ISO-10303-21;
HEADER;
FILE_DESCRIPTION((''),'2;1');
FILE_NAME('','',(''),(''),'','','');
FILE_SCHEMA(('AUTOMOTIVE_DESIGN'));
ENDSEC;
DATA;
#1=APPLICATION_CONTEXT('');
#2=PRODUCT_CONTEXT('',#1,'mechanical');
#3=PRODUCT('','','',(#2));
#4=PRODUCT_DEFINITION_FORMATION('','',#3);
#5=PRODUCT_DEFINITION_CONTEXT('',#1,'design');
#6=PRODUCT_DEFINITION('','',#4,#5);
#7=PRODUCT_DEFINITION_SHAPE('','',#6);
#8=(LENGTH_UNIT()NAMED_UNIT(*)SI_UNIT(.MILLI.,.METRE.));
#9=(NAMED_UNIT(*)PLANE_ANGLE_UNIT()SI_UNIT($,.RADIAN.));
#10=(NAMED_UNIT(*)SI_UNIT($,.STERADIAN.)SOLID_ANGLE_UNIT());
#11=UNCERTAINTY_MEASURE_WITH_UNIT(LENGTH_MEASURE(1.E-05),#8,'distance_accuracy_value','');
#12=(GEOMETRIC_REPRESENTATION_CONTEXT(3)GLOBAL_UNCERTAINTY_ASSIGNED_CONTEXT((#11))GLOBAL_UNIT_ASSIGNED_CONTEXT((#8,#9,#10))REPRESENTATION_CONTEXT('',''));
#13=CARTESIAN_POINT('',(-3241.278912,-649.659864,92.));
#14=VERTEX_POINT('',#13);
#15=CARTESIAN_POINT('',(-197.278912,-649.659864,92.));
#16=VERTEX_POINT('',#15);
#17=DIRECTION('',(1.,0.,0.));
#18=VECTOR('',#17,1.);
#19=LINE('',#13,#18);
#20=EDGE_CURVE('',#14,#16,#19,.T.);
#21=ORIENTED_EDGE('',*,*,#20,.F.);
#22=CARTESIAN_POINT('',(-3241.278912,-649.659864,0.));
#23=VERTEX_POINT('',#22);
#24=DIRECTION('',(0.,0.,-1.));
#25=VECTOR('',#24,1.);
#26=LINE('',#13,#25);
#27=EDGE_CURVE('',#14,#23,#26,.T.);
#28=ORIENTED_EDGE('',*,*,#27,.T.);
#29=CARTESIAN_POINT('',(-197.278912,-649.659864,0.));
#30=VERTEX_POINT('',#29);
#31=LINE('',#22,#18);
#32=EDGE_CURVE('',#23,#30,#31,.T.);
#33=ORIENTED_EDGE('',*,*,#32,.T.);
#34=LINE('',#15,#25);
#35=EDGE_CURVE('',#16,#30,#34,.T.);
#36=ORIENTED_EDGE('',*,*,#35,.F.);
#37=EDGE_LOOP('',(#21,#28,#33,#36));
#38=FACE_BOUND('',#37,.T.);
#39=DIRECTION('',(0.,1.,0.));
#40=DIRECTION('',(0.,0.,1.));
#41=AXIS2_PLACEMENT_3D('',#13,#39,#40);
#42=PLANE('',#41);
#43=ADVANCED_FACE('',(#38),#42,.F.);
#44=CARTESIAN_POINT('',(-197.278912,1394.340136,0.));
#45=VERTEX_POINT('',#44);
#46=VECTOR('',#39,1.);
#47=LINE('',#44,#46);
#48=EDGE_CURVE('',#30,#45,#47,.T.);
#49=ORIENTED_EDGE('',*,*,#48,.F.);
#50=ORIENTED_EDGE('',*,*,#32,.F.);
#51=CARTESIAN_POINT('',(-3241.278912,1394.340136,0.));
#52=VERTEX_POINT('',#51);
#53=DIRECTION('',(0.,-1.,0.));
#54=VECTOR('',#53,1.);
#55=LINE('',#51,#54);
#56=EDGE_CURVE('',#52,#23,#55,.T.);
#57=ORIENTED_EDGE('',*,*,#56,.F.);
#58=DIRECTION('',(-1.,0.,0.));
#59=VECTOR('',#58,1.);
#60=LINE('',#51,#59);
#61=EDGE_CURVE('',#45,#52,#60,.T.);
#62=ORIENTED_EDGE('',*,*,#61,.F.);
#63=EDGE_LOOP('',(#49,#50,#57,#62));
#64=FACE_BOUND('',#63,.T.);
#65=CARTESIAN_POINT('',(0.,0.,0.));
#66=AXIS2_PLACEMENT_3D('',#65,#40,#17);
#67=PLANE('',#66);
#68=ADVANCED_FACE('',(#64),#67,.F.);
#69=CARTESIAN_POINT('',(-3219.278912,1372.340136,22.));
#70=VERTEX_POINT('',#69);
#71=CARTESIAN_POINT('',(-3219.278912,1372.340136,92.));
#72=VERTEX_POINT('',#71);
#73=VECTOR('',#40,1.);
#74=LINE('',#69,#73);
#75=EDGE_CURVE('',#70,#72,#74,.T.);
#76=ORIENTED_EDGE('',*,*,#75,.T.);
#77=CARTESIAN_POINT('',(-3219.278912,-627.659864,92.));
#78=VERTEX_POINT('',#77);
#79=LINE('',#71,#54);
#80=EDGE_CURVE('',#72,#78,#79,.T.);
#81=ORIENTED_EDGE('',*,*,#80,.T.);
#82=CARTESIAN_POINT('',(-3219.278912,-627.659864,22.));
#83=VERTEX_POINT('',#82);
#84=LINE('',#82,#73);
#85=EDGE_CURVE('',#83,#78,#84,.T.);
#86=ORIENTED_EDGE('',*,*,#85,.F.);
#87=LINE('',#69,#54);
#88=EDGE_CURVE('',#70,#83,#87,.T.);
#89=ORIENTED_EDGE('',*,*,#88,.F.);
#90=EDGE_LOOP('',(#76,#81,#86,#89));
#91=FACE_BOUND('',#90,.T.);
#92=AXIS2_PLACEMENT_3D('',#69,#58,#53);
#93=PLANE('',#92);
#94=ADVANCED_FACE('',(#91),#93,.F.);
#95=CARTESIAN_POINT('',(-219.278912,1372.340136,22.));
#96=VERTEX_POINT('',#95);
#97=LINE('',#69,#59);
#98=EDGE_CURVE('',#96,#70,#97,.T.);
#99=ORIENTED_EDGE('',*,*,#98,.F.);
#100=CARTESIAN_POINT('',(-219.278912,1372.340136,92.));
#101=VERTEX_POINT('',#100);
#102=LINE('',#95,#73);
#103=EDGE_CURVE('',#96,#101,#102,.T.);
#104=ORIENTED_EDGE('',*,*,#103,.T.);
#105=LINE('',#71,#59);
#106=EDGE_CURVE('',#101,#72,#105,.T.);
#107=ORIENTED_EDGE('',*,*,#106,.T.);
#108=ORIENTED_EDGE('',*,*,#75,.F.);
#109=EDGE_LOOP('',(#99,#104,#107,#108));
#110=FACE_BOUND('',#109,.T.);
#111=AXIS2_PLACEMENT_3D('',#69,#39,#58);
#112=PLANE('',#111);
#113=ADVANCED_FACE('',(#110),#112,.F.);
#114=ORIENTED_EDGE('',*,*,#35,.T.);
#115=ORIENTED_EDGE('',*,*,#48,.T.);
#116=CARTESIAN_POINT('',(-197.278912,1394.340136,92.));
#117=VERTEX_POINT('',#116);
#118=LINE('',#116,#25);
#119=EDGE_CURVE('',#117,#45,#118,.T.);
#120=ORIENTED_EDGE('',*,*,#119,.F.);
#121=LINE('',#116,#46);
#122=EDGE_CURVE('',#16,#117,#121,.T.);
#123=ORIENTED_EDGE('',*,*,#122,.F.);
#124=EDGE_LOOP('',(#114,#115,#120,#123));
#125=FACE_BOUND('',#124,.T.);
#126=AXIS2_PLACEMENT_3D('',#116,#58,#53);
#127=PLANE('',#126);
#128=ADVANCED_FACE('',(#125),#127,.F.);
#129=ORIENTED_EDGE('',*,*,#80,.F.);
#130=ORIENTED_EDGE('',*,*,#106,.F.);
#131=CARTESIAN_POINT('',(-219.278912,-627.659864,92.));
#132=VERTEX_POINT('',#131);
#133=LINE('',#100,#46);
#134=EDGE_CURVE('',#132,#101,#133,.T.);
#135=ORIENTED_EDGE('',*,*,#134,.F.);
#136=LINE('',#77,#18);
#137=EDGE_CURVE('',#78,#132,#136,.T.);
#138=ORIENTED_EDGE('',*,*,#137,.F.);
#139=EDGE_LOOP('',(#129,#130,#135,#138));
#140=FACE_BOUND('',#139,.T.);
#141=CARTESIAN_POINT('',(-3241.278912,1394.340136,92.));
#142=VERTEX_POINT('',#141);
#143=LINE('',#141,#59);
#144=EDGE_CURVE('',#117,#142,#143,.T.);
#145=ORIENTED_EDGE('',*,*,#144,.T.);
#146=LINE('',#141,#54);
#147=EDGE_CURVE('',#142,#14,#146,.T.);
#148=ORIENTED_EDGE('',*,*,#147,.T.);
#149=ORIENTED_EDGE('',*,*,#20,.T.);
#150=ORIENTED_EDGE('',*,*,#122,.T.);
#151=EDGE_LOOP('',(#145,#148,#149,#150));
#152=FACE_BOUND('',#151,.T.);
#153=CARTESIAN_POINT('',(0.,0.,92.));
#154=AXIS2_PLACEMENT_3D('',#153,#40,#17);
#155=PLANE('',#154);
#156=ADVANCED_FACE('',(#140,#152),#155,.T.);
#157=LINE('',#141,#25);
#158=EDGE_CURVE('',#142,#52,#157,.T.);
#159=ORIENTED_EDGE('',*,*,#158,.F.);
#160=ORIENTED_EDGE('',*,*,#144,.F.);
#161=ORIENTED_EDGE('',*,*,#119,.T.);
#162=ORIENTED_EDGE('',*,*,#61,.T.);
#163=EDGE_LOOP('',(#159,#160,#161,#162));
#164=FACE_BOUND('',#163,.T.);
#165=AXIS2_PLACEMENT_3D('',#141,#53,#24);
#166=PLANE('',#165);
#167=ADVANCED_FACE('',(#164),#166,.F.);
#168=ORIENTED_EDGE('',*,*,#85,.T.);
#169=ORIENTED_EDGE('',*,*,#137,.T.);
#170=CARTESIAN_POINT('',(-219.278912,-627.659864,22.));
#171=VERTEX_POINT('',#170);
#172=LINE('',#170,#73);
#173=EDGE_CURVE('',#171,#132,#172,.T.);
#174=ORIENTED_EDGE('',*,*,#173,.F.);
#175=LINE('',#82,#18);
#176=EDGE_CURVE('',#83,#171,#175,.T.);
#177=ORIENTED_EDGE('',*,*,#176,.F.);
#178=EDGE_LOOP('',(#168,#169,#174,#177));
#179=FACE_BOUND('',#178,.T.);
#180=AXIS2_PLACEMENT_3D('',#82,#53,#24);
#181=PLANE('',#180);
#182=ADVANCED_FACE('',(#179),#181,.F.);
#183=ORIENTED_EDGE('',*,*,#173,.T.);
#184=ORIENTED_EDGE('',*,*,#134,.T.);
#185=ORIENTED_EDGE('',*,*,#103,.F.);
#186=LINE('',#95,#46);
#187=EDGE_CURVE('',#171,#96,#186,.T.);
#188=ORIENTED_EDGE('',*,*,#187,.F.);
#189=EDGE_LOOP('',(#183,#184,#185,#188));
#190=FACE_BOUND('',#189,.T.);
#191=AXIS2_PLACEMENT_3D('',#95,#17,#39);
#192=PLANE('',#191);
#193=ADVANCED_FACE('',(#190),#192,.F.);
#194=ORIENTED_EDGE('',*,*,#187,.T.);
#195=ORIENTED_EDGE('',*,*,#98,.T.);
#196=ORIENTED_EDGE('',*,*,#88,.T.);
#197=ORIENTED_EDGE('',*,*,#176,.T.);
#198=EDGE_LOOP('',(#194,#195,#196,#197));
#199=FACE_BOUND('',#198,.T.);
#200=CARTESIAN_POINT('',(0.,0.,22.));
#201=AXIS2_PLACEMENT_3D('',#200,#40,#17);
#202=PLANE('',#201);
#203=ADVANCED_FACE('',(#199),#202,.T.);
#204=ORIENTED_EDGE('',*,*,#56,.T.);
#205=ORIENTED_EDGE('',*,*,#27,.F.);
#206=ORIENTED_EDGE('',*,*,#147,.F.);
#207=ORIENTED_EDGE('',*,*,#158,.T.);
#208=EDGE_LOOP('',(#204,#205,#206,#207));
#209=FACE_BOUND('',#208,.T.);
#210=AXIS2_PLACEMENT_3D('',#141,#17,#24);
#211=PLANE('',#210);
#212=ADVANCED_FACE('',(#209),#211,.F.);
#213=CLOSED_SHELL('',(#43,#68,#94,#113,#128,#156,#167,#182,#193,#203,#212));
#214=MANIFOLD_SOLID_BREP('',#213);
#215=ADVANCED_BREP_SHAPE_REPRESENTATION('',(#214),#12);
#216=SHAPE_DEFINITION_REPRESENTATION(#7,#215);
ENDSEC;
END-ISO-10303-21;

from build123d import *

# Parameters (mm, degrees)
ESQUISSE1_W             = 3044
ESQUISSE1_H             = 2044
BOSS_EXTRU_1_DEPTH      = 92
ESQUISSE2_W             = 3000
ESQUISSE2_H             = 2000
ENL_V_MAT_EXTRU_2_DEPTH = 70


with BuildPart() as part:
    # Esquisse1 → Boss.-Extru.1 (new body)
    with BuildSketch(Plane.XY):
        with Locations((-1719.278911565, 372.340136054)):
            Rectangle(ESQUISSE1_W, ESQUISSE1_H)
    extrude(amount=BOSS_EXTRU_1_DEPTH)

    # Esquisse2 → Enlèv. mat.-Extru.2 (cut)
    with BuildSketch(Plane.XY.offset(92)):
        with Locations((-1719.278911565, 372.340136054)):
            Rectangle(ESQUISSE2_W, ESQUISSE2_H)
    extrude(amount=-ENL_V_MAT_EXTRU_2_DEPTH, mode=Mode.SUBTRACT)


solid = part.part
